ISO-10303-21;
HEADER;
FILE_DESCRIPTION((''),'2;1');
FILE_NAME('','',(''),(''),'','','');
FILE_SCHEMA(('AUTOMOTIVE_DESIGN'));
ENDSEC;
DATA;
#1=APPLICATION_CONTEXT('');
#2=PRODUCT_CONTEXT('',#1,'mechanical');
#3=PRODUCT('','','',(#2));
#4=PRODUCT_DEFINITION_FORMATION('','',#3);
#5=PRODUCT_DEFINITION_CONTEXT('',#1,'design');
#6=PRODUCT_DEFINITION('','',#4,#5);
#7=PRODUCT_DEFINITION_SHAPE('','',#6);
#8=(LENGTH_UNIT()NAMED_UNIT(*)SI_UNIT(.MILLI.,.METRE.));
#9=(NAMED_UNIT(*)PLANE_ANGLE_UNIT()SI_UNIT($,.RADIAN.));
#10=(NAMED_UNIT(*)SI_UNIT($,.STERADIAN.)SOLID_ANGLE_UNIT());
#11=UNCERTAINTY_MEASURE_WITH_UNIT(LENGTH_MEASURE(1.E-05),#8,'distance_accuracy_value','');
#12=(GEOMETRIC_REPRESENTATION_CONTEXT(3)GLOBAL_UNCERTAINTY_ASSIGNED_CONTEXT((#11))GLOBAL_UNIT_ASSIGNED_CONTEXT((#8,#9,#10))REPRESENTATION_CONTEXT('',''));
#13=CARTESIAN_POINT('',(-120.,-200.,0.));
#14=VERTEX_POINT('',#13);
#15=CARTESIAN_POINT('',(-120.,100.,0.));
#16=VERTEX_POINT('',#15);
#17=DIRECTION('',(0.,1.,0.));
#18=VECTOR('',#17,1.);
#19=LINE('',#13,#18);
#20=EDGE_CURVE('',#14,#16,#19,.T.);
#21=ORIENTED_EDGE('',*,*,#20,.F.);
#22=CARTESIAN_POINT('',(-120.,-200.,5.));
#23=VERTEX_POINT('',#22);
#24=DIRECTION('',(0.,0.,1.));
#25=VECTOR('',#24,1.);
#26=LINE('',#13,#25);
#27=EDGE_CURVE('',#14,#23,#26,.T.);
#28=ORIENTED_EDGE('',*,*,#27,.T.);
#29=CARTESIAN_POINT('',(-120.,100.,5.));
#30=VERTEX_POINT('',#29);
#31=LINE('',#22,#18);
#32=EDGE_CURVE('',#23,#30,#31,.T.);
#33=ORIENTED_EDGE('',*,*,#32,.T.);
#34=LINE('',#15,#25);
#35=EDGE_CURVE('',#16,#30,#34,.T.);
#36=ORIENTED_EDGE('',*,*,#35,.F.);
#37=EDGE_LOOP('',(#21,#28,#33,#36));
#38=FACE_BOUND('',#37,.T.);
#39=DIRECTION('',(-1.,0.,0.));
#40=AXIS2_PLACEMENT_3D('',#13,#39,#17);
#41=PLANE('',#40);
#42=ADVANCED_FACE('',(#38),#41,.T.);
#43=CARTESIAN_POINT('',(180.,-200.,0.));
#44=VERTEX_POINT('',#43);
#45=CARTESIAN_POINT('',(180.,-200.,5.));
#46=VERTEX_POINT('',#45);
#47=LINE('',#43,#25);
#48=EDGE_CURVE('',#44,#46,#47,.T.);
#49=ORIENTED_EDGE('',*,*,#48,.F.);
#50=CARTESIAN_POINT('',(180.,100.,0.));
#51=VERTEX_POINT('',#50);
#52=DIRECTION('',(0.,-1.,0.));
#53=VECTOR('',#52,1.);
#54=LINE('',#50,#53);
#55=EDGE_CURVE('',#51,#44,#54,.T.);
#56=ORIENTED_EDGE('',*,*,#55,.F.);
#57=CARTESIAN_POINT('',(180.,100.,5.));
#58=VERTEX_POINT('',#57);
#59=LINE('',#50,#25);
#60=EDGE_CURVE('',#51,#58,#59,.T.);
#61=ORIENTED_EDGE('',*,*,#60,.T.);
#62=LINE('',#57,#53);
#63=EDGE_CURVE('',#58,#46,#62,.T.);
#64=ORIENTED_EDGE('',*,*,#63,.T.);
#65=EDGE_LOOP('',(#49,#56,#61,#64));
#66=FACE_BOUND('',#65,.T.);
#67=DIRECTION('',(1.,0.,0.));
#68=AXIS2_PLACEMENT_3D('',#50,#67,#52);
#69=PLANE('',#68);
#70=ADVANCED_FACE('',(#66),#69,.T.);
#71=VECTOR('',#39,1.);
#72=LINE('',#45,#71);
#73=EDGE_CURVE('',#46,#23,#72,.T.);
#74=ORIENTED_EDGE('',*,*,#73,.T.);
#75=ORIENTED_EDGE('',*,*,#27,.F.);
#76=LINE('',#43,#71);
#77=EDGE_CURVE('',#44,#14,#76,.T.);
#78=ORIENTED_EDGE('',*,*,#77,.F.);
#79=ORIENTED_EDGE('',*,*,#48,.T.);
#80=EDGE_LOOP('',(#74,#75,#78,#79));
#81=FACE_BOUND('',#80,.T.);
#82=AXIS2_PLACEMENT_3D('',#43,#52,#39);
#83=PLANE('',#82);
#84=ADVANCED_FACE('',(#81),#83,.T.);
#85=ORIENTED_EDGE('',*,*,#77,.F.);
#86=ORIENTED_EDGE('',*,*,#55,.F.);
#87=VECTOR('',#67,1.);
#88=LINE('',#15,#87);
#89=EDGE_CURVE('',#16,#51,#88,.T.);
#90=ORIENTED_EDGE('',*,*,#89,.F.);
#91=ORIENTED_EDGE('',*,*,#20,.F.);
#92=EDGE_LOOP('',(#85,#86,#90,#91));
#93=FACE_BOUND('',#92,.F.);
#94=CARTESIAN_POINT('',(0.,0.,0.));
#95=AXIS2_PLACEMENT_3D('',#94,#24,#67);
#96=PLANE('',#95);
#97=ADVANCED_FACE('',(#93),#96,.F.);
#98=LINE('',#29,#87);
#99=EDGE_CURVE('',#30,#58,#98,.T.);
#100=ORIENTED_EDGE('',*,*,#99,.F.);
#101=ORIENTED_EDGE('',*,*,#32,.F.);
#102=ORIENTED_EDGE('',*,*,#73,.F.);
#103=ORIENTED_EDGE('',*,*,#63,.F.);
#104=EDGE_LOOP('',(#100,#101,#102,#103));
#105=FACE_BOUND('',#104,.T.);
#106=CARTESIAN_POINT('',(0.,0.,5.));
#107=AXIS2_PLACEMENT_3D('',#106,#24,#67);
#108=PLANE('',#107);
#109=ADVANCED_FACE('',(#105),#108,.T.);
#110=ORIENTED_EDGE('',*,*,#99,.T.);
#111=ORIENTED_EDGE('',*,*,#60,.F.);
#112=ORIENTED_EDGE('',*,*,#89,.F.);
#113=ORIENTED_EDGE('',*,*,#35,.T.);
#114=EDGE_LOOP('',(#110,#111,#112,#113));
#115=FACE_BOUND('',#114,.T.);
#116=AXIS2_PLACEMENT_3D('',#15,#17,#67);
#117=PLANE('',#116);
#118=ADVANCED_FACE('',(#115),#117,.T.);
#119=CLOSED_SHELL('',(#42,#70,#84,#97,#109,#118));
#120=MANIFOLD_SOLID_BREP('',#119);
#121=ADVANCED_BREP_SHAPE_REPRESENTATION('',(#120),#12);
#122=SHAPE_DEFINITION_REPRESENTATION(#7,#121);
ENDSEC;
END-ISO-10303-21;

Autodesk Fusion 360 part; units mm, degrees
sketch "Sketch1" plane through (0, 0, 0) normal (0, 0, 1) x (1, 0, 0)
  line L0 (-120, 100) -> (180, 100)
  line L1 (180, 100) -> (180, -200)
  line L2 (180, -200) -> (-120, -200)
  line L3 (-120, -200) -> (-120, 100)
  dimension "d1" = 300
  dimension "d2" = 300
extrude "Extrude1" add sketch "Sketch1" along normal blind 5
sketch "Sketch2" plane through (0, 0, 0) normal (0, 1, 0) x (1, 0, 0)
sketch "Sketch3" plane through (0, 0, 5) normal (0, 0, 1) x (-1, 0, 0)
  line L0 (120, 200) -> (-180, 200)
  line L1 (-180, 200) -> (-180, -100)
  line L2 (-180, -100) -> (120, -100)
  line L3 (120, -100) -> (120, 200)
  line L4 (120, -95) -> (115, -100)
  line L5 (115, -100) -> (-179.8727, 194.8727)
  line L6 (-179.8727, 194.8727) -> (-174.8727, 199.8727)
  line L7 (-174.8727, 199.8727) -> (120, -95)
sketch "Sketch4" plane through (0, 0, 5) normal (0, 0, 1) x (-1, 0, 0)
  line L0 (114.717, -100.0201) -> (89.717, -100.0201)
  dimension "d5" = 25
sketch "Sketch5" plane through (0, 0, 5) normal (0, 0, 1) x (-1, 0, 0)
  line L0 (120.3356, -94.7179) -> (120.3356, -69.7179)
  dimension "d6" = 25
sketch "Sketch6" plane through (0, 0, 5) normal (0, 0, 1) x (-1, 0, 0)
  line L0 (-180, 195) -> (-180, 170)
  dimension "d7" = 25
sketch "Sketch7" plane through (0, 0, 5) normal (0, 0, 1) x (-1, 0, 0)
  line L0 (-175, 200) -> (-150, 200)
  dimension "d8" = 25
sketch "Sketch8" plane through (0, 0, 5) normal (0, 0, 1) x (-1, 0, 0)
  line L0 (120, -70) -> (-150, 200)
  line L1 (-180.0283, 194.0424) -> (115.3475, -100.2553)
  line L2 (115.3475, -100.2553) -> (90, -100.2553)
  line L3 (90, -100.2553) -> (-180.7976, 169.554)
  line L4 (-180.7976, 169.554) -> (-180.0283, 194.0424)
sketch "Sketch9" plane through (0, 0, 5) normal (0, 0, 1) x (-1, 0, 0)
  line L0 (120.1985, -95.4042) -> (120.1985, -70)
  line L1 (120.1985, -70) -> (-150, 200)
  line L2 (-150, 200) -> (-174.6382, 200)
  line L3 (-174.6382, 200) -> (120.1985, -95.4042)
sketch "Sketch10" plane through (0, 0, 5) normal (0, 0, 1) x (-1, 0, 0)
  spline S0 degree 5 poles (120, -70) (114.9792, -64.2208) (104.9046, -52.6954) (89.6933, -35.5067) (69.2095, -12.7905) (43.2453, 15.2453) (16.8894, 42.8894) (-9.89, 70.11) (-37.1106, 96.8894) (-64.7547, 123.2453) (-92.7905, 149.2095) (-115.5067, 169.6933) (-132.6954, 184.9046) (-144.2208, 194.9792) (-150, 200) knots 0 0 0 0 0 0 0.1 0.2 0.3 0.4 0.5 0.6 0.7 0.8 0.9 1 1 1 1 1 1
  spline S1 degree 5 poles (90, -100) (84.4105, -95.1738) (73.2481, -85.4708) (56.5546, -70.7647) (34.3984, -50.8484) (6.8843, -25.4047) (-20.433, 0.6347) (-47.5383, 27.3162) (-74.4245, 54.6607) (-101.1019, 82.6371) (-127.587, 111.1957) (-148.6343, 134.4691) (-164.3455, 152.1487) (-174.7872, 164.0332) (-180, 170) knots 0 0 0 0 0 0 0.1 0.2 0.3 0.4 0.5 0.6 0.7 0.8 0.9 1 1 1 1 1 1
  point P0 (-10, 70)
  point P1 (-45, 25)
